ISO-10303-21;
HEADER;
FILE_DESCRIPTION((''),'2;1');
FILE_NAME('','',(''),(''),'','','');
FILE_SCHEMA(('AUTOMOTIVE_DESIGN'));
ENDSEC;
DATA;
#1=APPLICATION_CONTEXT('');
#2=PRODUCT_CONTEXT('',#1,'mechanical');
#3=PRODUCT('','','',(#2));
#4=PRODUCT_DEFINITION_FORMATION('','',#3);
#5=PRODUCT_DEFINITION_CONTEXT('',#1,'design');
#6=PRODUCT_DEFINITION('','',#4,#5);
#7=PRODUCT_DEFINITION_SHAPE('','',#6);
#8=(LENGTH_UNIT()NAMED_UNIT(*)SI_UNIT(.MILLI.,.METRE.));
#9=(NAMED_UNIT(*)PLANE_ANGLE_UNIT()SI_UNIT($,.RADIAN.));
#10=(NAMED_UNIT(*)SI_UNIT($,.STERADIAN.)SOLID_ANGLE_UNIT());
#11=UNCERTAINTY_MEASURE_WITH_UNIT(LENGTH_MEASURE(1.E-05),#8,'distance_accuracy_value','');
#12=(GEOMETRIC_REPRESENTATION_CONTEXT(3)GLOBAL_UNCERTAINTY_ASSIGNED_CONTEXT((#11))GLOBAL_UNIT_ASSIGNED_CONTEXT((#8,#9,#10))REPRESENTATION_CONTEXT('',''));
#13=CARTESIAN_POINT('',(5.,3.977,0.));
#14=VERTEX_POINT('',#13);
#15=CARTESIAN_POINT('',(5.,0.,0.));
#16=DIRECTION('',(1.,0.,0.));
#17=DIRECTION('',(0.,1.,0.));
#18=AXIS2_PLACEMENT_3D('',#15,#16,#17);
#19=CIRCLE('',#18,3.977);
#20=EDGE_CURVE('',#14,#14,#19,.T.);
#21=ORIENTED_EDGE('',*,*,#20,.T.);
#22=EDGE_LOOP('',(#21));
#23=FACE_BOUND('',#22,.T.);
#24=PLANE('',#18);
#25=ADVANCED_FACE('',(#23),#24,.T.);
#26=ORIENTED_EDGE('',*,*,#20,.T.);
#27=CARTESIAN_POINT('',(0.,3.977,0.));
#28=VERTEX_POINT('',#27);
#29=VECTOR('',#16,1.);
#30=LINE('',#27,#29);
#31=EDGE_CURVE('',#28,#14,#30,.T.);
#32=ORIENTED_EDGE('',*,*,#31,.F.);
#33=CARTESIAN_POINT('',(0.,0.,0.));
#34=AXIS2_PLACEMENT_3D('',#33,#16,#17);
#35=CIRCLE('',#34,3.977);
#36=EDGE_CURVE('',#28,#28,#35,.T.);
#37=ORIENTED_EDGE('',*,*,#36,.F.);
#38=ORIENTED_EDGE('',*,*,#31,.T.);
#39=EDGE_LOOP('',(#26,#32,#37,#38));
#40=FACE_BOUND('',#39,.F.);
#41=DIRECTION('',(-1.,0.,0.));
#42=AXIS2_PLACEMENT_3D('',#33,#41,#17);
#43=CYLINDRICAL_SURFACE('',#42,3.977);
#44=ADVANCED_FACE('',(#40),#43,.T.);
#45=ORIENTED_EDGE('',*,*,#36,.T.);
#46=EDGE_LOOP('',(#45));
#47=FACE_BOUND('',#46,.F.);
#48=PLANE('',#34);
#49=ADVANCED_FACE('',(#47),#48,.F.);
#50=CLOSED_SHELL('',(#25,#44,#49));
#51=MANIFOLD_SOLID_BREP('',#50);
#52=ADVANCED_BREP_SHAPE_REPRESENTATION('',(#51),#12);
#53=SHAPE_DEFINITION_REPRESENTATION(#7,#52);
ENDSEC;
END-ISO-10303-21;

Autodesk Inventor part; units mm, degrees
ref_plane "YZ Plane" through (0, 0, 0) normal (1, 0, 0) x (0, 1, 0)
ref_plane "XZ Plane" through (0, 0, 0) normal (0, 1, 0) x (-1, 0, 0)
ref_plane "XY Plane" through (0, 0, 0) normal (0, 0, 1) x (1, 0, 0)
sketch "Sketch1" plane through (0, 0, 0) normal (1, 0, 0) x (0, 1, 0)
  circle A0 centre (0, 0) radius 3.977
  dimension "d0" = 5
extrude "Extrusion1" add sketch "Sketch1" along normal blind 5
properties part number "wheel"
